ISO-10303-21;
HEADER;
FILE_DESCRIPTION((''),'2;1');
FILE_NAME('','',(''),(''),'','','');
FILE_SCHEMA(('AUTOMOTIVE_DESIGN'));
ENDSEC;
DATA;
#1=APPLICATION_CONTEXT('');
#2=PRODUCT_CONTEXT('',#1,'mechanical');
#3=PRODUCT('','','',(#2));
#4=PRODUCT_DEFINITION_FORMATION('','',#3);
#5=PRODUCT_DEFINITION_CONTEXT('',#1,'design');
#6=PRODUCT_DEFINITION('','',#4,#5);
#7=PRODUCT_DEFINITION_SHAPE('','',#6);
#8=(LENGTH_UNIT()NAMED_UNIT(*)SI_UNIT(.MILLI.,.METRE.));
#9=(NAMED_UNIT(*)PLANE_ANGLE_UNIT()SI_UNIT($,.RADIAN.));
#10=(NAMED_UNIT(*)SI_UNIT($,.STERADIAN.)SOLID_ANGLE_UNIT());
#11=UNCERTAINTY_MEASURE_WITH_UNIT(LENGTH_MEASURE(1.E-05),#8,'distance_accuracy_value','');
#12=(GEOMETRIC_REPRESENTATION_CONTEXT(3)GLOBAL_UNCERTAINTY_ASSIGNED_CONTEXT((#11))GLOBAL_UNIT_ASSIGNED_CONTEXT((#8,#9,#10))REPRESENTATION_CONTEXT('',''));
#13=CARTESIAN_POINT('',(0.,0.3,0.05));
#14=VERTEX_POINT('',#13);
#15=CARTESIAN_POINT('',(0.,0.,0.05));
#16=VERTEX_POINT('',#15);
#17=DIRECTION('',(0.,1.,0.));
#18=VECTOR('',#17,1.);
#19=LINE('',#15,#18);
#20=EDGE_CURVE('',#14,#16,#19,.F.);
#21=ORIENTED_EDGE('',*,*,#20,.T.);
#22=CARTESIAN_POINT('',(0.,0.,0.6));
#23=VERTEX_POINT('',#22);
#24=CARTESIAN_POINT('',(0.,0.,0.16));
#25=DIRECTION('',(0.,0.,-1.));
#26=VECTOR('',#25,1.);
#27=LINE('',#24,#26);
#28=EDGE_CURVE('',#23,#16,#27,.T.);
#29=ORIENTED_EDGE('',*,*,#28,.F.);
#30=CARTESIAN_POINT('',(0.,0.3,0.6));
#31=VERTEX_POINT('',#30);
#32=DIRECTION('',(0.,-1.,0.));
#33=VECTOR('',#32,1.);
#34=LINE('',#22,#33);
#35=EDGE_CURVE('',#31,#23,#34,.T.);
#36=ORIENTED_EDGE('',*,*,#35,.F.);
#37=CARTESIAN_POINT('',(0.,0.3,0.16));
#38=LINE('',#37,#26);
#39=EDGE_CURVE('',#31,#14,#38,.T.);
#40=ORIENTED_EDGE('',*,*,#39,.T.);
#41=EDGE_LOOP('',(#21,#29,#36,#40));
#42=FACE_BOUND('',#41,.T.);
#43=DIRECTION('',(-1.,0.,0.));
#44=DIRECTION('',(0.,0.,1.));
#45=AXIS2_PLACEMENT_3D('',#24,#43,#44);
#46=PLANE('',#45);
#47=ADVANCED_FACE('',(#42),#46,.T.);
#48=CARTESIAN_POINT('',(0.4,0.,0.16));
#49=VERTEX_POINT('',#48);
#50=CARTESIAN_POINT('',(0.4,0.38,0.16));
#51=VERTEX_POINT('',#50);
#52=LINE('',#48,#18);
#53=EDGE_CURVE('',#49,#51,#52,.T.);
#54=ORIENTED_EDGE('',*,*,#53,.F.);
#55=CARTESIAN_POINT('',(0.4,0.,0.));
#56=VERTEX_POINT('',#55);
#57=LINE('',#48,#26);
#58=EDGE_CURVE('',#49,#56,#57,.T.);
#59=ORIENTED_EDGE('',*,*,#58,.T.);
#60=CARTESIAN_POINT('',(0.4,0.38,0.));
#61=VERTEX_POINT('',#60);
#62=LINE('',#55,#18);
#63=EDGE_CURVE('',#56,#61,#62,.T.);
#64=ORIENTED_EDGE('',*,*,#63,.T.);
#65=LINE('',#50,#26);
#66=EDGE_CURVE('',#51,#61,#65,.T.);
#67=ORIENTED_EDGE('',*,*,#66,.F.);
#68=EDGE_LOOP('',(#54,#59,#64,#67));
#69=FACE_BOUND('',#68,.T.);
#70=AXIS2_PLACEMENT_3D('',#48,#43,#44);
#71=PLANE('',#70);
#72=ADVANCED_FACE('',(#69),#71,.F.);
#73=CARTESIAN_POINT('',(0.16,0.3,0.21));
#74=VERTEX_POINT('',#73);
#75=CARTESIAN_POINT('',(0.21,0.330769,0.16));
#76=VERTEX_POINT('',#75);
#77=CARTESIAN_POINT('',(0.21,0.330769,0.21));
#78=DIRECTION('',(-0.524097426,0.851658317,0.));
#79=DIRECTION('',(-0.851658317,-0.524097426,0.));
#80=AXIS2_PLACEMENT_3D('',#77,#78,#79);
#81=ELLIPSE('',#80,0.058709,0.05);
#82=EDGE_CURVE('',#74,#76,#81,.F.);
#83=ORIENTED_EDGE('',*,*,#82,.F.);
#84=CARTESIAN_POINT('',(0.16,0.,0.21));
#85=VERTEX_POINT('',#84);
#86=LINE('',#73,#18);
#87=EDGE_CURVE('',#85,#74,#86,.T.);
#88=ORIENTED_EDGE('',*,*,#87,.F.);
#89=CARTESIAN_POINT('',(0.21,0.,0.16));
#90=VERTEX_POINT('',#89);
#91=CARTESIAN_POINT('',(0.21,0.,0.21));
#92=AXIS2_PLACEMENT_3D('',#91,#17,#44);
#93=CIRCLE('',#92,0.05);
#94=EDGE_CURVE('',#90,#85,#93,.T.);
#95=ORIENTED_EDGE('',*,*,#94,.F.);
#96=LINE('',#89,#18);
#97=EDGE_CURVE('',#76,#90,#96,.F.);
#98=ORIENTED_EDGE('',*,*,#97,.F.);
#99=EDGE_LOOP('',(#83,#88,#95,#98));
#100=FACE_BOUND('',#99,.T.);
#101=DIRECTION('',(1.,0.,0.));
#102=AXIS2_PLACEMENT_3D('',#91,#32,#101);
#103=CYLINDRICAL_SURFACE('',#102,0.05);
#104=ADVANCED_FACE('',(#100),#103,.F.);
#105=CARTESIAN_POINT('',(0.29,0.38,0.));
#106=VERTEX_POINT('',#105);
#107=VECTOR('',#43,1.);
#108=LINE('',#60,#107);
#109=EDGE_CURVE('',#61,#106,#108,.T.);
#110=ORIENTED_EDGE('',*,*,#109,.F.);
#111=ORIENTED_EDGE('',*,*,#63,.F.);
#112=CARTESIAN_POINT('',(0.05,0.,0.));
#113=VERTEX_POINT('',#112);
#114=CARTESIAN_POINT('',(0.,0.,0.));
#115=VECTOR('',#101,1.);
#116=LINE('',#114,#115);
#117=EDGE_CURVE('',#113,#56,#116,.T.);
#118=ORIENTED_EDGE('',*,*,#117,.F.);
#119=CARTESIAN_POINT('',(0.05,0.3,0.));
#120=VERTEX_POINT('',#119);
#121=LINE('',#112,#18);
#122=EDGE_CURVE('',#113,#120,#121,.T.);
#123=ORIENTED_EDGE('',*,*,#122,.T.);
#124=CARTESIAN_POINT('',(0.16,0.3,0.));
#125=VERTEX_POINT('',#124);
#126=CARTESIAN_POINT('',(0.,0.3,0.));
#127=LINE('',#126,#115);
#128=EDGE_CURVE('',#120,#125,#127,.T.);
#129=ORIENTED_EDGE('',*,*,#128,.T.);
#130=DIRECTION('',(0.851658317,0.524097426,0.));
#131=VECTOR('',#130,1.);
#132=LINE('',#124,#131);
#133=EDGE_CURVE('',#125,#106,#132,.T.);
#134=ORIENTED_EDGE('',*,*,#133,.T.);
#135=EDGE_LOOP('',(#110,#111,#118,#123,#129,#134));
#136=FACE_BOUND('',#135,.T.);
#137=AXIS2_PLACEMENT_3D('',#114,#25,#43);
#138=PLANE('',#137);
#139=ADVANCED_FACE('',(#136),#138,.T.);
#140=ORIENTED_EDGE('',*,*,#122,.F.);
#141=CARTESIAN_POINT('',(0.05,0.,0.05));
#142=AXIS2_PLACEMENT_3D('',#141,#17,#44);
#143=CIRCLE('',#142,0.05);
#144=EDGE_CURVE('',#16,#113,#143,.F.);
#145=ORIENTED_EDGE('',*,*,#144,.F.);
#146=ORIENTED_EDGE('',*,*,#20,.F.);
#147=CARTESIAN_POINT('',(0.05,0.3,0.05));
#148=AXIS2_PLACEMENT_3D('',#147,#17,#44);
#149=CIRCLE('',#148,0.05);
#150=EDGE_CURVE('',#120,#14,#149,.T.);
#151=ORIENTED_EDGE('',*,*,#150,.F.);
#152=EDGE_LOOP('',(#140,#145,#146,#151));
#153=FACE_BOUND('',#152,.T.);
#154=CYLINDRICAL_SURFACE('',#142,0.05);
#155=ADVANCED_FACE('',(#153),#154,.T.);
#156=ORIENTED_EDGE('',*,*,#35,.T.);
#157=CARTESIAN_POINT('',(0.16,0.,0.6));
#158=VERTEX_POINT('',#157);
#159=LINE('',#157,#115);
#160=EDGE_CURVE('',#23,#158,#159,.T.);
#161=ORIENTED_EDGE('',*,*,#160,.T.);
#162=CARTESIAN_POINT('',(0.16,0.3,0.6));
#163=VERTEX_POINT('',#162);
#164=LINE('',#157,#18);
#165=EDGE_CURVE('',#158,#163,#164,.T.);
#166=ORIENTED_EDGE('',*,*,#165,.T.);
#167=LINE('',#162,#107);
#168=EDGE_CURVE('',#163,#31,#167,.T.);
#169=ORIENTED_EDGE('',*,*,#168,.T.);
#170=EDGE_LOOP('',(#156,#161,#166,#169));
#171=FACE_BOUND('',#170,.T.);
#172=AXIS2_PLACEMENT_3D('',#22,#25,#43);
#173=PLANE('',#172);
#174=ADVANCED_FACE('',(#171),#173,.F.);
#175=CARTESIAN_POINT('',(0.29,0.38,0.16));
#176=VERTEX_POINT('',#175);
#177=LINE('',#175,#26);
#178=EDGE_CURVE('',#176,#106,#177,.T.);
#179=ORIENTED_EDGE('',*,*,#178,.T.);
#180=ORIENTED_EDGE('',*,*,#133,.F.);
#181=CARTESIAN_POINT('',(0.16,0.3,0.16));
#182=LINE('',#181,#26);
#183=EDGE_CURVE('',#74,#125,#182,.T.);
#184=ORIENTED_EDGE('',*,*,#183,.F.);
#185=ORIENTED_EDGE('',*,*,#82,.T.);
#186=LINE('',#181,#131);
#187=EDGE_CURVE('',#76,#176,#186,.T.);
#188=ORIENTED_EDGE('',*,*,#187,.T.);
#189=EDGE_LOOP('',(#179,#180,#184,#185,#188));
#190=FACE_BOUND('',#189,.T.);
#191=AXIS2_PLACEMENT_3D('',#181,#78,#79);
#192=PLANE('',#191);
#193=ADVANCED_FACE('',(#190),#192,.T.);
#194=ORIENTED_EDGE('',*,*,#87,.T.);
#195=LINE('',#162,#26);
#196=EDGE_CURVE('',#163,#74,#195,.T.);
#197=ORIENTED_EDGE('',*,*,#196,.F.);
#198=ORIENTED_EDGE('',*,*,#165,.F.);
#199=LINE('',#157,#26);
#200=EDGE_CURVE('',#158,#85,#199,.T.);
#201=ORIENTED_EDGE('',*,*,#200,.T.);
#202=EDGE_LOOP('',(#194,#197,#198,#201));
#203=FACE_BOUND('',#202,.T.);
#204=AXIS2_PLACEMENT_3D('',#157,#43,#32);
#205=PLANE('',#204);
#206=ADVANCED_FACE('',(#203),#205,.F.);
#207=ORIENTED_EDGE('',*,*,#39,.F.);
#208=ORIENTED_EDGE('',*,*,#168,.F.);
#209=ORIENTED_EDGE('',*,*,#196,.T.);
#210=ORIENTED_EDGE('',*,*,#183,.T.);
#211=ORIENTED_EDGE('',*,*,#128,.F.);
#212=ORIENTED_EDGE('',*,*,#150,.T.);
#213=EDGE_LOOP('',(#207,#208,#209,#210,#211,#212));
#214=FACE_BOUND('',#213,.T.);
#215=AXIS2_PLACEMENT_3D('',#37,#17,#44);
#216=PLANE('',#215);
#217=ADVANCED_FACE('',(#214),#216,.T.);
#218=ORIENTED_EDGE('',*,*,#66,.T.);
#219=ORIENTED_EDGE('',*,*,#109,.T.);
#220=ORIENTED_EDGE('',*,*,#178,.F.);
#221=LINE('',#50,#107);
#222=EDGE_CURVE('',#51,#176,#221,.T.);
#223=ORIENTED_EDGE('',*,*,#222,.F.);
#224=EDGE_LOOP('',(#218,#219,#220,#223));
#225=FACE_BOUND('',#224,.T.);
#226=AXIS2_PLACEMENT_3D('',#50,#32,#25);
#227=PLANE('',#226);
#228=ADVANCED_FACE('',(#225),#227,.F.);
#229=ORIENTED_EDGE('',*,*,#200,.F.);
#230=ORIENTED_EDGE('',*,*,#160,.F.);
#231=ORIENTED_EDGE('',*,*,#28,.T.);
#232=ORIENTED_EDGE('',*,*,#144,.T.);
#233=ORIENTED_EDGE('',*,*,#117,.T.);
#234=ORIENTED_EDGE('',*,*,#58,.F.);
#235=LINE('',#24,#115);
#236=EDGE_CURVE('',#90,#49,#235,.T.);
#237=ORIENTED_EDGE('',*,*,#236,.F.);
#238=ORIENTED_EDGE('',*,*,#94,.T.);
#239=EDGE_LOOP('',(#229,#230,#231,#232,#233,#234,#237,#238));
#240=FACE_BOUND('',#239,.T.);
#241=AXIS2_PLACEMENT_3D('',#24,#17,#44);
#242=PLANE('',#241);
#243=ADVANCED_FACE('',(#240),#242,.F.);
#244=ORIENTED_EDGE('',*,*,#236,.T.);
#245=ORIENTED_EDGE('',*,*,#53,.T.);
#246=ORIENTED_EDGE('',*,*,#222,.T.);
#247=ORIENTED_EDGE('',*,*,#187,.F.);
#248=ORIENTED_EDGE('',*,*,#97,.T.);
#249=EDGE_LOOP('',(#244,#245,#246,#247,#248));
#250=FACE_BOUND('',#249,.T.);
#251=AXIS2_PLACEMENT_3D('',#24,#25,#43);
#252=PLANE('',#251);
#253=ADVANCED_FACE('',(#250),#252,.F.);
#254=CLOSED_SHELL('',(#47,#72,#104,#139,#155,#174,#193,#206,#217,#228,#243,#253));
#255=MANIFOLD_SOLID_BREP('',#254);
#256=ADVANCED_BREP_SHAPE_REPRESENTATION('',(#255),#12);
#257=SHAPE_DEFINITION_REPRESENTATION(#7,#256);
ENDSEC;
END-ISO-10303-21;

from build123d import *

# Parameters (mm, degrees)
EXTRUDE_1_DEPTH = 0.16
SKETCH_2_W      = 0.16
SKETCH_2_H      = 0.3
EXTRUDE_2_DEPTH = 0.44
FILLET_1_R      = 0.05


with BuildPart() as part:
    # 草图1 → 凸台-拉伸1 (new body)
    with BuildSketch(Plane.XY):
        Polygon((0, 0), (0, 0.3), (0.16, 0.3), (0.29, 0.38), (0.4, 0.38), (0.4, 0), align=None)
    extrude(amount=EXTRUDE_1_DEPTH)

    # 草图2 → 凸台-拉伸2 (add)
    with BuildSketch(Plane.XY.offset(0.16)):
        with Locations((0.08, 0.15)):
            Rectangle(SKETCH_2_W, SKETCH_2_H)
    extrude(amount=EXTRUDE_2_DEPTH)

    # 圆角1
    fillet_1_edges = [part.edges().sort_by_distance(p)[0] for p in [
        (0.16, 0.15, 0.16),
        (0, 0.15, 0),
    ]]
    fillet(fillet_1_edges, radius=FILLET_1_R)


solid = part.part
